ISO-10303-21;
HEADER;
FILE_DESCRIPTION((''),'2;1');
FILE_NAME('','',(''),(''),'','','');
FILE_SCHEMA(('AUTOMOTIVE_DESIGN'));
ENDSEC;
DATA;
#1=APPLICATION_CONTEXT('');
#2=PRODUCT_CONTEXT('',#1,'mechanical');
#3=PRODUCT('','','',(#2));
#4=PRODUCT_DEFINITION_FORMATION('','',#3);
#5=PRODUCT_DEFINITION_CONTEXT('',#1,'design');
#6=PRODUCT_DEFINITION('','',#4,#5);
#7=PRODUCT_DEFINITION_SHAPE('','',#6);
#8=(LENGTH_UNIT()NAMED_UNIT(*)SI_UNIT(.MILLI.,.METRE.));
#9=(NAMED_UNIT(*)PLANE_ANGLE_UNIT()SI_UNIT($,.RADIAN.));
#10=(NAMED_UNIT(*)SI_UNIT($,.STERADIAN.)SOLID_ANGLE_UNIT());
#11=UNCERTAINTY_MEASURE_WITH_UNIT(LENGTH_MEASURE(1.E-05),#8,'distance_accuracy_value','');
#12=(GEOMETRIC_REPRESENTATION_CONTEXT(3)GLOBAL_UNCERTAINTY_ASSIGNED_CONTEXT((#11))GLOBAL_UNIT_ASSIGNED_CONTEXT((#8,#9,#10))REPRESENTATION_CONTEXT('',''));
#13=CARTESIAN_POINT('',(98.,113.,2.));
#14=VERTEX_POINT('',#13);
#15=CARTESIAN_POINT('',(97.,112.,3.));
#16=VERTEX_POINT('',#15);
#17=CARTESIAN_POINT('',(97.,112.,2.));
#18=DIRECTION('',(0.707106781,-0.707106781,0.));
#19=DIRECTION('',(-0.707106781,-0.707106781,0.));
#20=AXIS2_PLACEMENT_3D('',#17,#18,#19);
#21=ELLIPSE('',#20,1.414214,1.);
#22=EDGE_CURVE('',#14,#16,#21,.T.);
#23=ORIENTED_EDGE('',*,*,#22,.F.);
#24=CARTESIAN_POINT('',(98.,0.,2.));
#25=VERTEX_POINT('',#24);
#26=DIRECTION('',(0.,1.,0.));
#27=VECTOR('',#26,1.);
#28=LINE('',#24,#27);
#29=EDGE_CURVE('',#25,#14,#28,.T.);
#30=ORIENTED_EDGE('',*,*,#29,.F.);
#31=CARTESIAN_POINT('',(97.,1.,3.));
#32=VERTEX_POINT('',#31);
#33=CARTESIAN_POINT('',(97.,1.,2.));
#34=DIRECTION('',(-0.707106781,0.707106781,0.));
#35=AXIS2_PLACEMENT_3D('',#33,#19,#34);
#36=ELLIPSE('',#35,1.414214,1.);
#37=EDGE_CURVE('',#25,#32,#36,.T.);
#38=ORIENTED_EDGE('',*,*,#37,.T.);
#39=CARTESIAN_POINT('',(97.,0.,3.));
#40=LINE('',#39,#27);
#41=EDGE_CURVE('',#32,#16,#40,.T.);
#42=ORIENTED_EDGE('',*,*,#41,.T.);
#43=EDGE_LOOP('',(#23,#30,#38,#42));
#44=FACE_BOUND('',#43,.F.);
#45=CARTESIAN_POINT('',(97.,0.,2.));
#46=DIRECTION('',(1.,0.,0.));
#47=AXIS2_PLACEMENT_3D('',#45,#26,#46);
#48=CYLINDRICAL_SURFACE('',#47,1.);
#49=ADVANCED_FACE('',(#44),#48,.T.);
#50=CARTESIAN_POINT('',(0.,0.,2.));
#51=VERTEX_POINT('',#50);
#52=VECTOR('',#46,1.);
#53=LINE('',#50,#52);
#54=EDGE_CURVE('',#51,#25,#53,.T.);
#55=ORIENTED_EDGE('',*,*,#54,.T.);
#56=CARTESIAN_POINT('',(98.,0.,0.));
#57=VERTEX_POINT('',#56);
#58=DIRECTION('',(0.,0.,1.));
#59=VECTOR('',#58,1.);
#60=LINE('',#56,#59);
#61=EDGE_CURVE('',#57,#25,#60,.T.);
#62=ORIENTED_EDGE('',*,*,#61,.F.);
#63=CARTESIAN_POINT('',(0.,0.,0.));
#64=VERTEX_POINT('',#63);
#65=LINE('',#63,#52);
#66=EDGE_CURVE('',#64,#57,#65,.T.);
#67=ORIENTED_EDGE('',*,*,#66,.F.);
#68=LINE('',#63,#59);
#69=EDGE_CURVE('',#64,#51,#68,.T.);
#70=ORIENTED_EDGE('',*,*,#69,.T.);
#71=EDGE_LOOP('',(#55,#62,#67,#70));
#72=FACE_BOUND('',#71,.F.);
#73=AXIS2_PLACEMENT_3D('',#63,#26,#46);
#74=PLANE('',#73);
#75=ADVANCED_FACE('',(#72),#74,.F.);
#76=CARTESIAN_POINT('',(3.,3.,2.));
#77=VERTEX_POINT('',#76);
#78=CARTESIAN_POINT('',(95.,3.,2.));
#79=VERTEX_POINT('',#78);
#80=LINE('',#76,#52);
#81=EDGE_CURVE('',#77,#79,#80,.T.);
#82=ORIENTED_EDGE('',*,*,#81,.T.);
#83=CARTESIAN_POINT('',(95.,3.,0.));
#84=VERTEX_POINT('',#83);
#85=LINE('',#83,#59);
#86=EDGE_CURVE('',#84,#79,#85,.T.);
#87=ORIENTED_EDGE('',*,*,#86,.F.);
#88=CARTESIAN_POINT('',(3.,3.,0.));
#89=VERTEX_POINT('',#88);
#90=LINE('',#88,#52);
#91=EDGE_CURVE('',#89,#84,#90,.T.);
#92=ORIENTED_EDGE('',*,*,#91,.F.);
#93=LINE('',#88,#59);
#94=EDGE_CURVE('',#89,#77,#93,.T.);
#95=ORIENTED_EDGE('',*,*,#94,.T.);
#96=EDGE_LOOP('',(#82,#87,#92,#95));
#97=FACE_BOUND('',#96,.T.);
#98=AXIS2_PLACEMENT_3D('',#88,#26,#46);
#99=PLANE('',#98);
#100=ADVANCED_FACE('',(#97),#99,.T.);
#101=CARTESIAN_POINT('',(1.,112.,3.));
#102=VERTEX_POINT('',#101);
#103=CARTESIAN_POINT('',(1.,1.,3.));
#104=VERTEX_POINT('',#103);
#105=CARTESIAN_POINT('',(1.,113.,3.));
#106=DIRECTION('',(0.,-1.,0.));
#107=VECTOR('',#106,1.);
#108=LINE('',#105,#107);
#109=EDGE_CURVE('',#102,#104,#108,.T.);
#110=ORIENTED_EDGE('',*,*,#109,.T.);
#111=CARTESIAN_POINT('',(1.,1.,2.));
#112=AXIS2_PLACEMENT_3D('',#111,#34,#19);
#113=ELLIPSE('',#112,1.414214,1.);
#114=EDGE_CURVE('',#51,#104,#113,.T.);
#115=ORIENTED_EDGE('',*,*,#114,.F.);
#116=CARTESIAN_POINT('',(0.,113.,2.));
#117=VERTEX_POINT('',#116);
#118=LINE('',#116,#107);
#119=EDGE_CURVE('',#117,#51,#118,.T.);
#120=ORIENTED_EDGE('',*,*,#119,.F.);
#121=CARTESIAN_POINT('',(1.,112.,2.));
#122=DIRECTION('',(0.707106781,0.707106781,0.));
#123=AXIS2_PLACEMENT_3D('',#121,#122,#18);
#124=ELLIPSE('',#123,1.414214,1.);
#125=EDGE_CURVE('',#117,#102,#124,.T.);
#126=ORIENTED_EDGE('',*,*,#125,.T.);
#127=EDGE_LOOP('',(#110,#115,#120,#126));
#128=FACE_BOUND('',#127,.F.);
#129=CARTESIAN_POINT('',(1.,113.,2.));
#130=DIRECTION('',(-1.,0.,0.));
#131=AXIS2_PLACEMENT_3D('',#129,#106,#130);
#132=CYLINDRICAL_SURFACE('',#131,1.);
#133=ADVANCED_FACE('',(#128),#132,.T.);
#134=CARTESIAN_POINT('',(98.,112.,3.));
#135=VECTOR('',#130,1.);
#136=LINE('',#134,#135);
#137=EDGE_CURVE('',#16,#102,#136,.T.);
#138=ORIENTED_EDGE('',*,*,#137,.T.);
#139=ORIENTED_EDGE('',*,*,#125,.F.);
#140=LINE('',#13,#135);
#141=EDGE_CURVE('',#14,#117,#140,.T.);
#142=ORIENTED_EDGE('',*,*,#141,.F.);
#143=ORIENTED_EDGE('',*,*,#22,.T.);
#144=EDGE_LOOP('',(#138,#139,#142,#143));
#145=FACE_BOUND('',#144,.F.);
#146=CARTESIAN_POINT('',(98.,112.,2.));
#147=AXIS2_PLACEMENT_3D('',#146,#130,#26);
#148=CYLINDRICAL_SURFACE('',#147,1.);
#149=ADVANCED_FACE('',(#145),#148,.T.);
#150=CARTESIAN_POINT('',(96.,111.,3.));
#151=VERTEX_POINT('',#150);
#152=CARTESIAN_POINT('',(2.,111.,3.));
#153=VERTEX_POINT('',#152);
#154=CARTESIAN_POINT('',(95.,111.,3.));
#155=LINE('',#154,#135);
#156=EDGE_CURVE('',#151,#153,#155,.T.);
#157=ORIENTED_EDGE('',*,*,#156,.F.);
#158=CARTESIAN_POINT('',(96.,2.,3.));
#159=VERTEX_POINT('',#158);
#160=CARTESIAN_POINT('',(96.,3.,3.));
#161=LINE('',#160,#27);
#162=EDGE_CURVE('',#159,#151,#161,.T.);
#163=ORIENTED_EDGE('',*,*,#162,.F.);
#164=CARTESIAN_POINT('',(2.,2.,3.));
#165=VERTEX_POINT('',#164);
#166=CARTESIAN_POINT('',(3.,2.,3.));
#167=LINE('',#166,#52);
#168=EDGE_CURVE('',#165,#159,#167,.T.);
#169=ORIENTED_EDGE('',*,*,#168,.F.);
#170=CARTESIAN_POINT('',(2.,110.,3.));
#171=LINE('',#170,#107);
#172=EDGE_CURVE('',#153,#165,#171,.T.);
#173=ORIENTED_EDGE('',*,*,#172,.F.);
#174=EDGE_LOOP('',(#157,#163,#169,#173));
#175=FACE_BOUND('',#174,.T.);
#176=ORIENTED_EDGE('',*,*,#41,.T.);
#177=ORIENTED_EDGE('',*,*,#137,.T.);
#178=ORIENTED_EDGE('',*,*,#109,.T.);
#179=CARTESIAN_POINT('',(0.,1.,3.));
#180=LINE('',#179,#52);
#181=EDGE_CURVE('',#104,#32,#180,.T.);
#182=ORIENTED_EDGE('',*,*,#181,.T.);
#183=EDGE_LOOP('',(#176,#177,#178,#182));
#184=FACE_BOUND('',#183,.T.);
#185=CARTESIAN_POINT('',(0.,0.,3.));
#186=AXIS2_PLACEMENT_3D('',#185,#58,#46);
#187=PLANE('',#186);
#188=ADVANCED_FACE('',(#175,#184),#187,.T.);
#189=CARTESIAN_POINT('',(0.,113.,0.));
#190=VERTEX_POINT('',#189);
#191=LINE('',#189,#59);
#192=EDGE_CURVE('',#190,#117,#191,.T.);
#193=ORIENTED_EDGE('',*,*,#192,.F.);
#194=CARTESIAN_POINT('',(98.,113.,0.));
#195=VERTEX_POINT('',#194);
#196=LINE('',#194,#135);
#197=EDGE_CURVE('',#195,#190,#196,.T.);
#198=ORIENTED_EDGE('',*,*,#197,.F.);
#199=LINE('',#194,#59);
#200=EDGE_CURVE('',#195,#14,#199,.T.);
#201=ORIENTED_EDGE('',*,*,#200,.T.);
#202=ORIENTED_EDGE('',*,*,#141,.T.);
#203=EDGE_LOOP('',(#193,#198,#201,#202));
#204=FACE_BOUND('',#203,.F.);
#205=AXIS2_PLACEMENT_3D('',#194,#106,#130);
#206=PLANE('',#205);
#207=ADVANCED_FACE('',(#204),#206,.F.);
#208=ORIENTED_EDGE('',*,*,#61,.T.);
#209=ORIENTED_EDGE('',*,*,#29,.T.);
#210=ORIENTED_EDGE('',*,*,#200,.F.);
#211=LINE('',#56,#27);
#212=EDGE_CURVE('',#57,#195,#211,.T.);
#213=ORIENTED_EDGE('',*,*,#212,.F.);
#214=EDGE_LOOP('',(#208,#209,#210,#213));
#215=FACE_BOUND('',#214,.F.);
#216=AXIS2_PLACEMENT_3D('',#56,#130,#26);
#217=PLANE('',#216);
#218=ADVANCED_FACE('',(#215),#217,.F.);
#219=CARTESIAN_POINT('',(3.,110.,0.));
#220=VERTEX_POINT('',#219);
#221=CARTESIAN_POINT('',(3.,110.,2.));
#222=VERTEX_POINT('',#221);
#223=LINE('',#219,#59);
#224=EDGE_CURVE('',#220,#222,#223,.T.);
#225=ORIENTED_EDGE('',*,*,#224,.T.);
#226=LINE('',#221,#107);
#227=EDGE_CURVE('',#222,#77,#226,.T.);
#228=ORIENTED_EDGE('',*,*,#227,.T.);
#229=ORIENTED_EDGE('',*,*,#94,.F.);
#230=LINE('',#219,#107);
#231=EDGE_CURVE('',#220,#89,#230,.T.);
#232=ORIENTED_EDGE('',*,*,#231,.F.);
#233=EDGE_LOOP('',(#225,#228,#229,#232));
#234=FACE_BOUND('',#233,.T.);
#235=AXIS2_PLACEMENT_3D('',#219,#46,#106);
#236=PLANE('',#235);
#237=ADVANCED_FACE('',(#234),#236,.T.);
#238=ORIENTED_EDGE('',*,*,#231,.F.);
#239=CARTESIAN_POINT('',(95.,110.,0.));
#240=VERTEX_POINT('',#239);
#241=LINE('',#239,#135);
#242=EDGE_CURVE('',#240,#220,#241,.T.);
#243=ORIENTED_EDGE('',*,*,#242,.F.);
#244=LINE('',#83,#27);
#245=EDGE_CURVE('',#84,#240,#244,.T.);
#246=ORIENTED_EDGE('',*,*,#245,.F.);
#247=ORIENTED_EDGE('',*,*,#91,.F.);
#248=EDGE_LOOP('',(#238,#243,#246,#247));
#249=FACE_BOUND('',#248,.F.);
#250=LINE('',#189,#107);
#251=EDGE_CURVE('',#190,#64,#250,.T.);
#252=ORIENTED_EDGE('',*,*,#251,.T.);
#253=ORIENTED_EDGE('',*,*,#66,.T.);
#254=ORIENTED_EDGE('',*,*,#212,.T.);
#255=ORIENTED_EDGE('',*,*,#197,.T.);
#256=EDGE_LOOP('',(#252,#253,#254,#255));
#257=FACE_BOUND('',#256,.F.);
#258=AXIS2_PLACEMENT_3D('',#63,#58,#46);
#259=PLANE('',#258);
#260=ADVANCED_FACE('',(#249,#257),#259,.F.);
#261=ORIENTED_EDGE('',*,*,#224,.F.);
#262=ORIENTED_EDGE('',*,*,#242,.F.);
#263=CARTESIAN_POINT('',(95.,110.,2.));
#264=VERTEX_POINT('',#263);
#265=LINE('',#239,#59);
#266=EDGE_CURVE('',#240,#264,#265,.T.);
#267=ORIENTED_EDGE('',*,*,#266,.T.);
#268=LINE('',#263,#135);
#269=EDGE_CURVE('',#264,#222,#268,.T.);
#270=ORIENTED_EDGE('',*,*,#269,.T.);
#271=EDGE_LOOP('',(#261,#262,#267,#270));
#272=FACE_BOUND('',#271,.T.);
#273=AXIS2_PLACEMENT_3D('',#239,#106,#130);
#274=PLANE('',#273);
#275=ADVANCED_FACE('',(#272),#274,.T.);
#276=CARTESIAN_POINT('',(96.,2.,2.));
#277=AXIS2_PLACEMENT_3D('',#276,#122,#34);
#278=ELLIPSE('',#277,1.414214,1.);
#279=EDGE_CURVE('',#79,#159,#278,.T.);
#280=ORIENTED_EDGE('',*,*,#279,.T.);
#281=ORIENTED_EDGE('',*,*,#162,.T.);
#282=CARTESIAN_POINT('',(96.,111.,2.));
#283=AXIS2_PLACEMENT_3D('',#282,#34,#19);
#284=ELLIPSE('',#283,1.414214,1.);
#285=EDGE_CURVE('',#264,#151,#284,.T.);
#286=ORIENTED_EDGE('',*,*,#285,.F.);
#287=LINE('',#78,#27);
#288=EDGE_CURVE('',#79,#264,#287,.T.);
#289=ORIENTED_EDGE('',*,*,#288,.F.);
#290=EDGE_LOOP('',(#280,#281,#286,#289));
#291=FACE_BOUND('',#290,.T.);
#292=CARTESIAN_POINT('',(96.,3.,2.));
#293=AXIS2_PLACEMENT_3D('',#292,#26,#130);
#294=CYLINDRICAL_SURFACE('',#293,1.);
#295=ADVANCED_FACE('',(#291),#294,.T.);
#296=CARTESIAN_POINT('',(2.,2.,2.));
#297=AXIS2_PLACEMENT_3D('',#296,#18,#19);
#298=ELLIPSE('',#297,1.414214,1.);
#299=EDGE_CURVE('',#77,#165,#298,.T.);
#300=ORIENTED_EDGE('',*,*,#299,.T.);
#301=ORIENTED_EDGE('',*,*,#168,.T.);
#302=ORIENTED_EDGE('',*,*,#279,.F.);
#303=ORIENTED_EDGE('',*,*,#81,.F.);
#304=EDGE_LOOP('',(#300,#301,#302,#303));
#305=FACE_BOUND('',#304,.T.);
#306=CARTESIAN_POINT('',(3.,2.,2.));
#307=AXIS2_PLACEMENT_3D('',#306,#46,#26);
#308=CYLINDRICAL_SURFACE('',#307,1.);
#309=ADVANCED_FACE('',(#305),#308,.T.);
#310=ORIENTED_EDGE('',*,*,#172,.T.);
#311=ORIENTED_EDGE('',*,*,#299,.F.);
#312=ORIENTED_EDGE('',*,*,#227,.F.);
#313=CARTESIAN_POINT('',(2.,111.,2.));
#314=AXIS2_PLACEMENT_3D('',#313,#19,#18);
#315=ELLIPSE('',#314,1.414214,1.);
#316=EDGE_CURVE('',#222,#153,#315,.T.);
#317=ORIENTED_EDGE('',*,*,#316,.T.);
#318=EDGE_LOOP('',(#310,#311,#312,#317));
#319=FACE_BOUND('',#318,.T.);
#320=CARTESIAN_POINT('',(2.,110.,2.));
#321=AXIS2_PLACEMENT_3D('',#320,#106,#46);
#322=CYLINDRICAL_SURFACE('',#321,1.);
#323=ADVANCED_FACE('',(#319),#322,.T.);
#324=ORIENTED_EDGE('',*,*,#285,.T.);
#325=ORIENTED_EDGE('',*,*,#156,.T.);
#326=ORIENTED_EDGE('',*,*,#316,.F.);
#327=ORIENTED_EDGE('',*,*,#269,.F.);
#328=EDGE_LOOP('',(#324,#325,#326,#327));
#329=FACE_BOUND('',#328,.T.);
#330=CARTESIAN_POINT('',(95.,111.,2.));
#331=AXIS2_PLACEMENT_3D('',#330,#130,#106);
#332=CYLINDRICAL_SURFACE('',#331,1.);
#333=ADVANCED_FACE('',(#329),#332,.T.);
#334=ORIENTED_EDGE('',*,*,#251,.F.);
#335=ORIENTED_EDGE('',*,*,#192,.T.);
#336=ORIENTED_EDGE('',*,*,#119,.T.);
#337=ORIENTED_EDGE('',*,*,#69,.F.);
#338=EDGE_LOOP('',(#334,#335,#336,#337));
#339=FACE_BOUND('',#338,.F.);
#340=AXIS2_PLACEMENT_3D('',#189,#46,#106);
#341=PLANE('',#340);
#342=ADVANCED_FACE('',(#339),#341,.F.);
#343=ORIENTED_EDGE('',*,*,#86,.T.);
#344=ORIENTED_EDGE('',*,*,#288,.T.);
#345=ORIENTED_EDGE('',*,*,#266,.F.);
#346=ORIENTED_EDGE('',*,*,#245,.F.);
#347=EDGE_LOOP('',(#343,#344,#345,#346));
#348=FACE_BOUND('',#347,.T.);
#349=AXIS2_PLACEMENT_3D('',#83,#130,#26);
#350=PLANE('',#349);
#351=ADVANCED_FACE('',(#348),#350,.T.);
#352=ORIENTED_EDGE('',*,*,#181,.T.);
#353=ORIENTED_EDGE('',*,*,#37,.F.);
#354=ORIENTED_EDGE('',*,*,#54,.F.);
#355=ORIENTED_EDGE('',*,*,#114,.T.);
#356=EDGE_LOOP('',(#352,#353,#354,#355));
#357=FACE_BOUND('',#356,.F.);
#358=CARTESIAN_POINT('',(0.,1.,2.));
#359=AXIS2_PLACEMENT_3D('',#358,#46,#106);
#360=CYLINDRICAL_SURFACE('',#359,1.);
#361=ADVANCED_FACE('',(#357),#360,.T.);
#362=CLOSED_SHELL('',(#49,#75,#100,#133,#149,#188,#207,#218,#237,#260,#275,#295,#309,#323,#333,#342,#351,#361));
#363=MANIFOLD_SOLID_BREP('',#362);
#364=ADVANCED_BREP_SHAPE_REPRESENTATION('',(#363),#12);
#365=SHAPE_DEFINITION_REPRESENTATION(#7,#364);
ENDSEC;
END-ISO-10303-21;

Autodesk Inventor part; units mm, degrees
ref_plane "YZ Plane" through (0, 0, 0) normal (1, 0, 0) x (0, 1, 0)
ref_plane "XZ Plane" through (0, 0, 0) normal (0, 1, 0) x (-1, 0, 0)
ref_plane "XY Plane" through (0, 0, 0) normal (0, 0, 1) x (1, 0, 0)
sketch "Skizze1" plane through (0, 0, 0) normal (0, 0, 1) x (1, 0, 0)
  line L0 (0, 0) -> (98, 0)
  line L1 (98, 0) -> (98, 113)
  line L2 (98, 113) -> (0, 113)
  line L3 (0, 113) -> (0, 0)
  line L4 (3, 3) -> (95, 3)
  line L5 (95, 3) -> (95, 110)
  line L6 (95, 110) -> (3, 110)
  line L7 (3, 110) -> (3, 3)
  dimension "d0" = 107
  dimension "d1" = 92
  dimension "d2" = 98
  dimension "d3" = 113
  dimension "d4" = 3
  dimension "d5" = 3
extrude "Extrusion1" add sketch "Skizze1" along normal blind 3
fillet "Rundung1" radius 1 8 edges at (3, 56.5, 3) (0, 56.5, 3) (49, 110, 3) (49, 113, 3) (98, 56.5, 3) (95, 56.5, 3) (49, 0, 3) (49, 3, 3)
properties part number "Dichtung_final" material "Gummi"
